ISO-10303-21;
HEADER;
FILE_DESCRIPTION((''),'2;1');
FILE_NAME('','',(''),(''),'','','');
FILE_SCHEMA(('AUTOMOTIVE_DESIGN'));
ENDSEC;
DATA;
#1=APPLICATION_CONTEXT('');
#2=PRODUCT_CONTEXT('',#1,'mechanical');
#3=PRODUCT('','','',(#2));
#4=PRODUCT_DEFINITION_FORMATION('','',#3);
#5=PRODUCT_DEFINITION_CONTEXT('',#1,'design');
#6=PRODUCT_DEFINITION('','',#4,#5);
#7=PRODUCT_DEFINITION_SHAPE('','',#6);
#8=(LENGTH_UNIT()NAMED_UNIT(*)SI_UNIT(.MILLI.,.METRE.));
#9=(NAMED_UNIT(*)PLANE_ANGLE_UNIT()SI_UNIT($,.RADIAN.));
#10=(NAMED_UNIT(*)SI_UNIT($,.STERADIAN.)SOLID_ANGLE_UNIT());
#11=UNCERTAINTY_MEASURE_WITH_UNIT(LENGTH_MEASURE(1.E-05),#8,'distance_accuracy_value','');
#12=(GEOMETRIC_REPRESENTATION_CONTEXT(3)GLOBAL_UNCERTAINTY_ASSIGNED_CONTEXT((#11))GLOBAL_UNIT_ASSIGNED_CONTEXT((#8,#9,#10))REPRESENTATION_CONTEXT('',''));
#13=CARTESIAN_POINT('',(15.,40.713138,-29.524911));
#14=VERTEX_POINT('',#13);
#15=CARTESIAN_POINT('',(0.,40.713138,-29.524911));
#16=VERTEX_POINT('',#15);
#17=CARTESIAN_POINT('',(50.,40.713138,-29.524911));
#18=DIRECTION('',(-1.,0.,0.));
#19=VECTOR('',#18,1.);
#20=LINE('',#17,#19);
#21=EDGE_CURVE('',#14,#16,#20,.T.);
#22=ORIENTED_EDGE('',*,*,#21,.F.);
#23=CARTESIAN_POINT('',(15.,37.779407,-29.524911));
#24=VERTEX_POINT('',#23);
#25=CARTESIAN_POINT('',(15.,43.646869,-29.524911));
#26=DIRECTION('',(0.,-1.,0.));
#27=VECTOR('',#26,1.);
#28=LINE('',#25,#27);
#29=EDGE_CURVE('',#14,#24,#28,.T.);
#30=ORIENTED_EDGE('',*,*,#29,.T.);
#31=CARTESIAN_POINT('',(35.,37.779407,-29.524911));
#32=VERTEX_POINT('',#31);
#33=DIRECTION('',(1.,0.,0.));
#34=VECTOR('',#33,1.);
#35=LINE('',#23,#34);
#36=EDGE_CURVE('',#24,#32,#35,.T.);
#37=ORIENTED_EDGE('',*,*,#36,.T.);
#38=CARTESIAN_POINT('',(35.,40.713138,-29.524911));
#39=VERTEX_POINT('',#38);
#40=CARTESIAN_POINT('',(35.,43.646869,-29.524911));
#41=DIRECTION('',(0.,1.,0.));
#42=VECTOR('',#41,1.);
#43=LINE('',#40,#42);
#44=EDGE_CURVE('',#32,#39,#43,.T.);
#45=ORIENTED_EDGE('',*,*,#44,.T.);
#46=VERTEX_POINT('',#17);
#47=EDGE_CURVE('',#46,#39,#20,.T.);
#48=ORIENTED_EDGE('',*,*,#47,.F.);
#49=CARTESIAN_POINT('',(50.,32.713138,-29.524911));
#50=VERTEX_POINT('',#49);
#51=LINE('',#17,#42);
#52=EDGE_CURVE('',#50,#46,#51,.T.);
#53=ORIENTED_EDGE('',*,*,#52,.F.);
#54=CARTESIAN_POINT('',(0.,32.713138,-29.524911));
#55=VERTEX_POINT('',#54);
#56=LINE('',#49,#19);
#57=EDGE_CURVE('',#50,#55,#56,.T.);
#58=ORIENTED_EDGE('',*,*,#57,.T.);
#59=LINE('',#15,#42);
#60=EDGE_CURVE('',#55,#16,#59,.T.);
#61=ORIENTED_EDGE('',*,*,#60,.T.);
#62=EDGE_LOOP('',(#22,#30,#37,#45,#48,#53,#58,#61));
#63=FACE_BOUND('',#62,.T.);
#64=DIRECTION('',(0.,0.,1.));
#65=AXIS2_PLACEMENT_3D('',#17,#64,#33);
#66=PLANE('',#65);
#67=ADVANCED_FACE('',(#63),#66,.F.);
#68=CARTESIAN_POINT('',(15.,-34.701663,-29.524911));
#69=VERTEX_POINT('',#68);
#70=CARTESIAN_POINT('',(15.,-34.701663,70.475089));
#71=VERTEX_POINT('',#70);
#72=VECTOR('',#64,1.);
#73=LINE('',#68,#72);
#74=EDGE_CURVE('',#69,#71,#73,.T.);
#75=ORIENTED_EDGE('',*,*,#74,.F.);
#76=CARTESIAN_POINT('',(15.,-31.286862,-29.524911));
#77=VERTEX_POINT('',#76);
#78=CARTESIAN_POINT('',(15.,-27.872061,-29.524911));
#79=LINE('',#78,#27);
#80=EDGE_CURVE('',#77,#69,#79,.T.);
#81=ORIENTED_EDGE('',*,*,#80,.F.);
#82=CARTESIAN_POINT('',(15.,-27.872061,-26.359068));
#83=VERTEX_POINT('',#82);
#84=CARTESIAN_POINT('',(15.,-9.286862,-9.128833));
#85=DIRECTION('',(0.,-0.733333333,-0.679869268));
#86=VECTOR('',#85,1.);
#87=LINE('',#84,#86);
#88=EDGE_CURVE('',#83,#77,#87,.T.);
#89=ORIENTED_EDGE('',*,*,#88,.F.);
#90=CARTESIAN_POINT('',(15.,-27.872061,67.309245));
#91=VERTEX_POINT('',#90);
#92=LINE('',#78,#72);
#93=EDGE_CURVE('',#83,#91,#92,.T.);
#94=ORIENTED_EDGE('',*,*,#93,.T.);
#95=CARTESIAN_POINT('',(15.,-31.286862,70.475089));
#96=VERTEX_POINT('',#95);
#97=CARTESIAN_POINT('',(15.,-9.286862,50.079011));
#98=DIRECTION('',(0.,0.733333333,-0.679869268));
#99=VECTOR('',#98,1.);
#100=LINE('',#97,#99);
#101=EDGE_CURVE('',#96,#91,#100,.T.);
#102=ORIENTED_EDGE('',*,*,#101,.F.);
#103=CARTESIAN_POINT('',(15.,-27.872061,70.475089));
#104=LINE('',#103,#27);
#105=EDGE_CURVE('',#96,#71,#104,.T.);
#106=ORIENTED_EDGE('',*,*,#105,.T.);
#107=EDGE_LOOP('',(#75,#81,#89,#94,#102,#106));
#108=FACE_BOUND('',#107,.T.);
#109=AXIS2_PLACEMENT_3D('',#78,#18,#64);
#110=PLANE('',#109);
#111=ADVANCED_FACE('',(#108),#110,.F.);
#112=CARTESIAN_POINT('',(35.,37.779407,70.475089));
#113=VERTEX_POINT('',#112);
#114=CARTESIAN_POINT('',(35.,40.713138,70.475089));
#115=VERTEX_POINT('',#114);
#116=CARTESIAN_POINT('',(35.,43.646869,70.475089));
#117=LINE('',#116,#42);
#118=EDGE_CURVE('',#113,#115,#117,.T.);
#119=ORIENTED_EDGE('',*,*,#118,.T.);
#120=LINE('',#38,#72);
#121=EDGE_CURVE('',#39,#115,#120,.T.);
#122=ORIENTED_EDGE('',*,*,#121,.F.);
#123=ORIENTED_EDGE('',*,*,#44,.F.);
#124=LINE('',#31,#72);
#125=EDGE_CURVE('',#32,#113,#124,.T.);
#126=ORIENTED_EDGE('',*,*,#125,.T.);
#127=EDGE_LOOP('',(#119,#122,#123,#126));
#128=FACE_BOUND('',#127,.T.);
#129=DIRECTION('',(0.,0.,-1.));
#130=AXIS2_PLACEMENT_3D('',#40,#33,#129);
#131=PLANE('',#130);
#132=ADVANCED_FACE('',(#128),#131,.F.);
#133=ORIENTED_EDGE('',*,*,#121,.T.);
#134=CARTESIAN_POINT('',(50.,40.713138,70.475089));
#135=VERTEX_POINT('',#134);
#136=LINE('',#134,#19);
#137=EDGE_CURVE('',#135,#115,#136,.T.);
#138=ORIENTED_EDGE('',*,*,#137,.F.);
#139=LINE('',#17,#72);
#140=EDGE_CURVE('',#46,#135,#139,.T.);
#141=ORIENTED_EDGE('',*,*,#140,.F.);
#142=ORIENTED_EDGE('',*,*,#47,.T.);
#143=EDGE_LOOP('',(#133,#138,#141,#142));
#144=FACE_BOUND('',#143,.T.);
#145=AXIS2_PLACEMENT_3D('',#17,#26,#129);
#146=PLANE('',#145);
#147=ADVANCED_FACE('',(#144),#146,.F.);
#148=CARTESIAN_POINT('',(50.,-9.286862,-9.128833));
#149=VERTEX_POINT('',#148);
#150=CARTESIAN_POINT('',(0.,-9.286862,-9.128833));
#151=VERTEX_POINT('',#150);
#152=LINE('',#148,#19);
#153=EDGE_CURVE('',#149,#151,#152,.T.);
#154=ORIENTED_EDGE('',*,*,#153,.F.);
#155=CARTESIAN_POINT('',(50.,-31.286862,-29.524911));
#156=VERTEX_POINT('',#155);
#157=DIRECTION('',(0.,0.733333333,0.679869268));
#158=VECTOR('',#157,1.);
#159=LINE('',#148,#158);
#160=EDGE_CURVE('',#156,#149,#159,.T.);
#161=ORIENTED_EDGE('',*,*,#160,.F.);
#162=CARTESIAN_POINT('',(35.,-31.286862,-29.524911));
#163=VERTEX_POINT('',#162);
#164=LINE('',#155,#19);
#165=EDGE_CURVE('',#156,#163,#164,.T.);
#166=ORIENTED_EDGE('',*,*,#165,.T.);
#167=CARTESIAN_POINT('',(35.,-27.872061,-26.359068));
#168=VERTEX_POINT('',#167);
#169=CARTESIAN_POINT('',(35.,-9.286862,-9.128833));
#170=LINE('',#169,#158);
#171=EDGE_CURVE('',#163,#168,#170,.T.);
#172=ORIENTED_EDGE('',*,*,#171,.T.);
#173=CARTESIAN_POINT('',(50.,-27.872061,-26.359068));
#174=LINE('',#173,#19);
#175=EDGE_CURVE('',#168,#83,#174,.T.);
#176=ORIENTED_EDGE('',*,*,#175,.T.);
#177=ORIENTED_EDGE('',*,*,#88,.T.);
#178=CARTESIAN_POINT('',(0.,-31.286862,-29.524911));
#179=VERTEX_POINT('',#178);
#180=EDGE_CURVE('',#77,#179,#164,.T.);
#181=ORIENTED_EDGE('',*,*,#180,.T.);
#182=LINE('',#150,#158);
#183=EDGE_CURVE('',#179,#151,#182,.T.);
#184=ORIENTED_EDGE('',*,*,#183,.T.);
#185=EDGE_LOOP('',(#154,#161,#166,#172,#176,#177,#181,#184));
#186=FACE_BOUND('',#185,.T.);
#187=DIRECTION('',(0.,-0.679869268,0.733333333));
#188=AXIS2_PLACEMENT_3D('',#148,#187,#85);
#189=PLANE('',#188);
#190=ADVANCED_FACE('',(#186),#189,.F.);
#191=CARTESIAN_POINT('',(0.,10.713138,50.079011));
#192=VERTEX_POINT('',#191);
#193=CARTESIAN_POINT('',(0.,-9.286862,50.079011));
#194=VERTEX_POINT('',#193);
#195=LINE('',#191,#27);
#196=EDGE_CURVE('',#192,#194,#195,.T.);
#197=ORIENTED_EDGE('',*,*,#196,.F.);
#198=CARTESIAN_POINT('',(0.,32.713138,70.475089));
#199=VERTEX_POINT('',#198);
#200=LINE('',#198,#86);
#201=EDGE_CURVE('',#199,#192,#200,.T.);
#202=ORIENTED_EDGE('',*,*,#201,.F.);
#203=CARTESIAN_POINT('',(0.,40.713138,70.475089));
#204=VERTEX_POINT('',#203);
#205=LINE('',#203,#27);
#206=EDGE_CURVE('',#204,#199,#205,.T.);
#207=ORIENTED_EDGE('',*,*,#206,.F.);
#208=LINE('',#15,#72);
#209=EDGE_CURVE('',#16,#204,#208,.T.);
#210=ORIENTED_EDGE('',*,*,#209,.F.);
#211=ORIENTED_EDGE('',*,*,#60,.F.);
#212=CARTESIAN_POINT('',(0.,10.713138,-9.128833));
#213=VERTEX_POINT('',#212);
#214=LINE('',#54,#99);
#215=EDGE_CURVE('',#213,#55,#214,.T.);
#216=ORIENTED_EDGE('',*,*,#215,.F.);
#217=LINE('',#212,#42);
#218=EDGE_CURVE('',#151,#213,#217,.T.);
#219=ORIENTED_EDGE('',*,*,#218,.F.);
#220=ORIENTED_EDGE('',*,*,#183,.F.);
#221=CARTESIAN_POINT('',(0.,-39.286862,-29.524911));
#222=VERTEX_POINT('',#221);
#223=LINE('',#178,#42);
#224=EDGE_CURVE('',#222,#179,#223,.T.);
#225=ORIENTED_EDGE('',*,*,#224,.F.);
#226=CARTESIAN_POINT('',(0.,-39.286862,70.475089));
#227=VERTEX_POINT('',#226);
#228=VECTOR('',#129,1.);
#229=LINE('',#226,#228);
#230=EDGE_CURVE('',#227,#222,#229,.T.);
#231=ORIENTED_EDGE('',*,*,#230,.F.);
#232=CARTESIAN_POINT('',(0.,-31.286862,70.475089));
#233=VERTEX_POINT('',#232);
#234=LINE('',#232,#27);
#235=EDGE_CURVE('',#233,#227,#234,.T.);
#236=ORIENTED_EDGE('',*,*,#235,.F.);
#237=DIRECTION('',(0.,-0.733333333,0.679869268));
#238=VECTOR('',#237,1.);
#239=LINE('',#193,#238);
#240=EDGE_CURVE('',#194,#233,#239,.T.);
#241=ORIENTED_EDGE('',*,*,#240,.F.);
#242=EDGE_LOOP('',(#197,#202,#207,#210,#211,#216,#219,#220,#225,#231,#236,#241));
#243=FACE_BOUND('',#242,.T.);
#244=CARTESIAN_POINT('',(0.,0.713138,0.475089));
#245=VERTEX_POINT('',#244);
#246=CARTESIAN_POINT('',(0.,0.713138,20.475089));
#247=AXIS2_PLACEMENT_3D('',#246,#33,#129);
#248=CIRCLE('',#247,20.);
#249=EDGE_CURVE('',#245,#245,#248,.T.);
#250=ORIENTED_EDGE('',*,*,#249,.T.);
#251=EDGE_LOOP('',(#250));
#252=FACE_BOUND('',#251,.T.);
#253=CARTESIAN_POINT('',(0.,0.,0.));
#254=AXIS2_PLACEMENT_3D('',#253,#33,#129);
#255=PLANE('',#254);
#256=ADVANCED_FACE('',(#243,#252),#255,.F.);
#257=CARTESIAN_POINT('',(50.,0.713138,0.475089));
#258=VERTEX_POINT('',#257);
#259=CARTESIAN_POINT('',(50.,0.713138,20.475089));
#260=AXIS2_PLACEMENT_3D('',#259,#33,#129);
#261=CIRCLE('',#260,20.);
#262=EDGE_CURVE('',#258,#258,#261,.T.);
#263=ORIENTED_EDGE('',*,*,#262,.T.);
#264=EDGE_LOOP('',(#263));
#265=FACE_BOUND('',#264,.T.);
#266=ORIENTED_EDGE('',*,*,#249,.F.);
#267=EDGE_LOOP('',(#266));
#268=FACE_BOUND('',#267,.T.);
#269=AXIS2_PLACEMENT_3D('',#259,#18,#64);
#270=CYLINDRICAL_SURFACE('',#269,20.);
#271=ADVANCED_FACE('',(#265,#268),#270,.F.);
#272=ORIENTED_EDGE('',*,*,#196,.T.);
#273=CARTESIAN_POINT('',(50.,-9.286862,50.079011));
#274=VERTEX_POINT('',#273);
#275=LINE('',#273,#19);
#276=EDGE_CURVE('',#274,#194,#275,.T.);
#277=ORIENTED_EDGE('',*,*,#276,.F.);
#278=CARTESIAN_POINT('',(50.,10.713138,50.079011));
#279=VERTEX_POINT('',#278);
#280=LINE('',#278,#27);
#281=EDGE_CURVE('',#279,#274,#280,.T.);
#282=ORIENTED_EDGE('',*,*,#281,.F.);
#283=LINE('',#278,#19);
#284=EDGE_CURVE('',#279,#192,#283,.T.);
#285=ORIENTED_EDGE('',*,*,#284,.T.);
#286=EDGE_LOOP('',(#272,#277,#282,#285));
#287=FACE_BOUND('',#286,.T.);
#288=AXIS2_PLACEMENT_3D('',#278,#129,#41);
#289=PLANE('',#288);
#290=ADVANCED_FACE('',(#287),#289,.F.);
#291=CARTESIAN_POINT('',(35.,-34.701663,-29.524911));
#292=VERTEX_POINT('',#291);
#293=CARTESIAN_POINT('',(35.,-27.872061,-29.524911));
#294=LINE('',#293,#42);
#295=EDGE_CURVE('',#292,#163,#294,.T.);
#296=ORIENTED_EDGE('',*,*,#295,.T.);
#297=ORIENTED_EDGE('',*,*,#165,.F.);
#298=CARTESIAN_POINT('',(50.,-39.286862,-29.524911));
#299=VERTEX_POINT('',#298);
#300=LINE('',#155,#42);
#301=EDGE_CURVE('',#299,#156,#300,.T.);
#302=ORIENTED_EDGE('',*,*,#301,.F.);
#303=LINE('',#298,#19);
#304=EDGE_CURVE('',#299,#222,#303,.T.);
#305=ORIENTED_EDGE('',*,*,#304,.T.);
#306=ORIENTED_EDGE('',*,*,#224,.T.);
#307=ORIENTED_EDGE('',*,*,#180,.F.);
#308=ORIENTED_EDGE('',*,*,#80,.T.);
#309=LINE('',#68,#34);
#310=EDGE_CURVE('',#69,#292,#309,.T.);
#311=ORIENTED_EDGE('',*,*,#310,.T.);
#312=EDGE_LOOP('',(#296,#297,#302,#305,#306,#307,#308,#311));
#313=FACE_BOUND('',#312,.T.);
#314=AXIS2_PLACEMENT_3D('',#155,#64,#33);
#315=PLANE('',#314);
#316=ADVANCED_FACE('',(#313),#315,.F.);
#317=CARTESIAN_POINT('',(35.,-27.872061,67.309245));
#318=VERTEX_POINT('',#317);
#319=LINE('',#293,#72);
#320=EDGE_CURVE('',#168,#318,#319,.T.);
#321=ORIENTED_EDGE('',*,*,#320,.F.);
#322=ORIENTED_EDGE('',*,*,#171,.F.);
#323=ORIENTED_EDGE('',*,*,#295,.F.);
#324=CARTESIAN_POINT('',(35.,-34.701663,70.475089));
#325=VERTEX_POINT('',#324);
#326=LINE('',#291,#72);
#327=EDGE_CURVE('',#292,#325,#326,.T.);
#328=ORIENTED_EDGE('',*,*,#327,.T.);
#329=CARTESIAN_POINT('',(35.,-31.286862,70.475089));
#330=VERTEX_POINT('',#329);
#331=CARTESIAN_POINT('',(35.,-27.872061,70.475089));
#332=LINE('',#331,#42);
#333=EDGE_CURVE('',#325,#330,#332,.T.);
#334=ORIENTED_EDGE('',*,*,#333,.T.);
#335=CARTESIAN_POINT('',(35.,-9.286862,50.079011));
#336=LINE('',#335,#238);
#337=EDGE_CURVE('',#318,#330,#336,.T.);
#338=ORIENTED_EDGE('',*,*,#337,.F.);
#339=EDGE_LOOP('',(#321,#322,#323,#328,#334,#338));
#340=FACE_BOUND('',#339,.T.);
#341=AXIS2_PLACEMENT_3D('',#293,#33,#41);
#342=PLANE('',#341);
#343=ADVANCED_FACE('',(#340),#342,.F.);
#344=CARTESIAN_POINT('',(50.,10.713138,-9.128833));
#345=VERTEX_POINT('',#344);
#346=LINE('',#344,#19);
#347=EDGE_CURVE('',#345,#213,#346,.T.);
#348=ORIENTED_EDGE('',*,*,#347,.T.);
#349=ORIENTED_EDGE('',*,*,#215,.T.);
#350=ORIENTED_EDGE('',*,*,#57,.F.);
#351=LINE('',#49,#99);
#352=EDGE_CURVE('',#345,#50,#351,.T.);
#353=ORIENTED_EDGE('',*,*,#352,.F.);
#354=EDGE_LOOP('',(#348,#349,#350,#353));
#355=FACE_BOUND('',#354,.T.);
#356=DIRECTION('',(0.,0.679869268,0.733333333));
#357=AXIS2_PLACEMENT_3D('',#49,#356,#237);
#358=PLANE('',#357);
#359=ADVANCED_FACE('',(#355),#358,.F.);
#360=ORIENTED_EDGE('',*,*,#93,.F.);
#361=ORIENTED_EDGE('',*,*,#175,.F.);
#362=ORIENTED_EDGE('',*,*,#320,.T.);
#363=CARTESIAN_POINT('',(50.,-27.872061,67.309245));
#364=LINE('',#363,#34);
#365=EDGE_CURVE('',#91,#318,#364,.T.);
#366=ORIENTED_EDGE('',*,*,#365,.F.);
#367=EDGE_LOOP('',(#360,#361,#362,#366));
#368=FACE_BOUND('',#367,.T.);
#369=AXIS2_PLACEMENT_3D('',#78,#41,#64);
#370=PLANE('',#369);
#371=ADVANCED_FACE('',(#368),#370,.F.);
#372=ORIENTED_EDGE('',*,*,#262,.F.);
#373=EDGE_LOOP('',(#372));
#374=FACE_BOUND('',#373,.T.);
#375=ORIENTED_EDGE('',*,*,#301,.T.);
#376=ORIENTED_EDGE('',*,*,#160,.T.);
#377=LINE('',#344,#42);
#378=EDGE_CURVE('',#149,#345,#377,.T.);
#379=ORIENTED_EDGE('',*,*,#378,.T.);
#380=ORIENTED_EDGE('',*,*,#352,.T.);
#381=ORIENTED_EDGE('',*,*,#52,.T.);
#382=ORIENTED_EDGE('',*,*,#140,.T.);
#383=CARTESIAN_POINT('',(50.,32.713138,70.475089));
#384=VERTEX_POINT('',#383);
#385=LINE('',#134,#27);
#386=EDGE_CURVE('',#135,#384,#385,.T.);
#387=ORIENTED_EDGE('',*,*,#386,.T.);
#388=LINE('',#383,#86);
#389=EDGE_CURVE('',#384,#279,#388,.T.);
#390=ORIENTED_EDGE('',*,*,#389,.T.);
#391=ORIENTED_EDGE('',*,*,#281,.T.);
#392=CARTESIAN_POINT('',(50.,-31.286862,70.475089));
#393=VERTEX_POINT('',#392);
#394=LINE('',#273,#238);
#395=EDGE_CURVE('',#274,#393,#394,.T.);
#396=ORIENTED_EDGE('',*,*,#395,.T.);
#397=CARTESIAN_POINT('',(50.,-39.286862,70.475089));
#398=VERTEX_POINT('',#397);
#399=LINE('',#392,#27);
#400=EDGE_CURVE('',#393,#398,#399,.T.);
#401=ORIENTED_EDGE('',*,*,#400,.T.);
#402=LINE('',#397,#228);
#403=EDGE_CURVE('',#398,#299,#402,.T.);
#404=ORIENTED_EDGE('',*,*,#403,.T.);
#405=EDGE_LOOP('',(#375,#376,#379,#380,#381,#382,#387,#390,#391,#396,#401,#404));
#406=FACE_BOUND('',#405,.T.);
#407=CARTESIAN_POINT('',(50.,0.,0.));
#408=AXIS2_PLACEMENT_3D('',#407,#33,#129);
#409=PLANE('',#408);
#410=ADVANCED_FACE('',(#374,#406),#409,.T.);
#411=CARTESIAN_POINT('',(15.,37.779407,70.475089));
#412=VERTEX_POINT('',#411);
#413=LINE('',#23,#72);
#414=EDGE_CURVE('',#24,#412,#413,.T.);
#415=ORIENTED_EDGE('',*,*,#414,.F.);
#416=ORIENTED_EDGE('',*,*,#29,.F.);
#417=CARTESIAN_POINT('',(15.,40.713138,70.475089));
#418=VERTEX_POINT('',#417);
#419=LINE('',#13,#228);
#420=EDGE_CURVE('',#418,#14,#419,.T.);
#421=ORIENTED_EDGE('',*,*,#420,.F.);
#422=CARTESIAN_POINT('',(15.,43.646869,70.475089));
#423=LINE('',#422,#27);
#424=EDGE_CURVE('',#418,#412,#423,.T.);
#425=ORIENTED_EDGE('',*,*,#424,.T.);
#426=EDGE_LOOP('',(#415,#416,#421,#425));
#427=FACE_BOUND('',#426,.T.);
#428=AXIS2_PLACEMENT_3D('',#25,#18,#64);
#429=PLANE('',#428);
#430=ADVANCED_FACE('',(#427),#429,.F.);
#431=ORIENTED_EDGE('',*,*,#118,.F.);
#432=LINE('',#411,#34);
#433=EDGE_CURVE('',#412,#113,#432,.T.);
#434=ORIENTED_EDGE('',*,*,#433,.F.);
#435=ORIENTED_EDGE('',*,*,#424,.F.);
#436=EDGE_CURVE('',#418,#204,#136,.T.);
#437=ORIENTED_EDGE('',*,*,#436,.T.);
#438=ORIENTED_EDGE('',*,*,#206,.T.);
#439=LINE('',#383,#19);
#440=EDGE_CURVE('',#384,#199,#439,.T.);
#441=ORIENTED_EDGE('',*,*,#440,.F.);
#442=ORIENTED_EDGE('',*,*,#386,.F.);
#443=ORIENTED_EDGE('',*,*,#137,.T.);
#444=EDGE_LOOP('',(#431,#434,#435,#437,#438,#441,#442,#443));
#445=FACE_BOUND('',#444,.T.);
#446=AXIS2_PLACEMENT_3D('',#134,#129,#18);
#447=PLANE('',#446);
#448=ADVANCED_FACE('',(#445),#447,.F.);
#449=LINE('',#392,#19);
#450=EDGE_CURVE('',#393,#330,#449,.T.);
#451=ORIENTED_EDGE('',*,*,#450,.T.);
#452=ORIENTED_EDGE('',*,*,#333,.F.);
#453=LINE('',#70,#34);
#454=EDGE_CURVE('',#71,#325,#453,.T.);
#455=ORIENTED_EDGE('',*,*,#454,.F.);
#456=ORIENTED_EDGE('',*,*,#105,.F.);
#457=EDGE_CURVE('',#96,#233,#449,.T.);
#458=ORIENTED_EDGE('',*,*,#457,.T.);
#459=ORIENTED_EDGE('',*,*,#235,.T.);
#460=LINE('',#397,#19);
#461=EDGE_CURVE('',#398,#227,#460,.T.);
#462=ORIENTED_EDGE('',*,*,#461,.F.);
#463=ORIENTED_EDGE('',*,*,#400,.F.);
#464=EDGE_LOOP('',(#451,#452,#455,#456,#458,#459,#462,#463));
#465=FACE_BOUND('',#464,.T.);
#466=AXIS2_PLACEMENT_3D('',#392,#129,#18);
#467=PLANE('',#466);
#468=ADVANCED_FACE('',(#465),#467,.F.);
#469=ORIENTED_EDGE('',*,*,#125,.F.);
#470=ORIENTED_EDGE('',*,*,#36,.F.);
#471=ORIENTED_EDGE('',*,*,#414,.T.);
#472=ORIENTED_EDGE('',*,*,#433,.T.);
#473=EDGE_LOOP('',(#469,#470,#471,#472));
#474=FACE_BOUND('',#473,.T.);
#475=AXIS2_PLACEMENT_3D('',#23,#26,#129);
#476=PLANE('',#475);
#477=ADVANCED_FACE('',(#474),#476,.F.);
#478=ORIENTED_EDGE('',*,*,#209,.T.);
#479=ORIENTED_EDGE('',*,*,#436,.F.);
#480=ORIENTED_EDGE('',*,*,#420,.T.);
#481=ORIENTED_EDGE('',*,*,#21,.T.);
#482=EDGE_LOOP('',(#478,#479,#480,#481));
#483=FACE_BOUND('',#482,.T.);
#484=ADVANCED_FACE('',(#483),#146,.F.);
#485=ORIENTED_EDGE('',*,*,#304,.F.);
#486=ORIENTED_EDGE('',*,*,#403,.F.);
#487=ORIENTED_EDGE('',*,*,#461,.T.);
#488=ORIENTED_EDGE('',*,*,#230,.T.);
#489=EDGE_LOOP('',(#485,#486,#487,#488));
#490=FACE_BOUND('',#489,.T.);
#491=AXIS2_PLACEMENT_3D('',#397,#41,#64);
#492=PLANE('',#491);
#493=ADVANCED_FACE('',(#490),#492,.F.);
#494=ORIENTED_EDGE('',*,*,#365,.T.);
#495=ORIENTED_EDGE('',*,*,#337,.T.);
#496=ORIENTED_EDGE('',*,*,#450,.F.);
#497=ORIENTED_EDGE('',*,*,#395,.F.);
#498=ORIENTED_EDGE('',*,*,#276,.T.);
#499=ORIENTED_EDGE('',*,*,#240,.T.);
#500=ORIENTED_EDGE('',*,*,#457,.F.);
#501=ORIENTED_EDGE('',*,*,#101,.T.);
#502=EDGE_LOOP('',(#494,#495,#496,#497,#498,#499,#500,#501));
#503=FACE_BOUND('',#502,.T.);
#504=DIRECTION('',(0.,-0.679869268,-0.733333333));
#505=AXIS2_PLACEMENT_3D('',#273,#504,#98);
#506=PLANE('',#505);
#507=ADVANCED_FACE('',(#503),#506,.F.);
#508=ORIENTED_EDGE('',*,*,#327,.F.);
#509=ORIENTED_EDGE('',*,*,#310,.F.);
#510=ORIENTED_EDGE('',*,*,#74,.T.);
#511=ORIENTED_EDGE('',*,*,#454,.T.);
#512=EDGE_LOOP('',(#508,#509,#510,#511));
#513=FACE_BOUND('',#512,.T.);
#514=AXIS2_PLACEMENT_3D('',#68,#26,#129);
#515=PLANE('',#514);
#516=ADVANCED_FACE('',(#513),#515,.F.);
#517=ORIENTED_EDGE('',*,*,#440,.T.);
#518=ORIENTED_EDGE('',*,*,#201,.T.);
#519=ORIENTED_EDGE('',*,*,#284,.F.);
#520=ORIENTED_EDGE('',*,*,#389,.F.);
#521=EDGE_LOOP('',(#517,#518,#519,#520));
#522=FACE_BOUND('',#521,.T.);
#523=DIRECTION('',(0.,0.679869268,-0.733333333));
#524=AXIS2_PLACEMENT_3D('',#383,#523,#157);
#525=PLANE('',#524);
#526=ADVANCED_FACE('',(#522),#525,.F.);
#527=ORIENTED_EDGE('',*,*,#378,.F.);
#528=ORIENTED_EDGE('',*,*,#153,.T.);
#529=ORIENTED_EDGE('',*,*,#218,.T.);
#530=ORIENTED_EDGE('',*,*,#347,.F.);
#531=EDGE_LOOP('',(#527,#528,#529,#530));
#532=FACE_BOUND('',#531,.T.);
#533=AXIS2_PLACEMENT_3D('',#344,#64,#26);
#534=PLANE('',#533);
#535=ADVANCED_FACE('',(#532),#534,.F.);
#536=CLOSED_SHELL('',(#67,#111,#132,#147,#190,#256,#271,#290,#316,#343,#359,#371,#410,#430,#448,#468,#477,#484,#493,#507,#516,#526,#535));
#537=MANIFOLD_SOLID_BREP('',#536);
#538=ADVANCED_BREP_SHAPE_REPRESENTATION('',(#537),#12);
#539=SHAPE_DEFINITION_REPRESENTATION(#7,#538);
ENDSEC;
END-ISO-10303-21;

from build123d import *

# Parameters (mm, degrees)
SKETCH1_R           = 20
BOSS_EXTRUDE1_DEPTH = 50
SKETCH2_W           = 20
SKETCH2_H           = 5.867462555
SKETCH2_H_2         = 6.829602609
CUT_EXTRUDE1_DEPTH  = 119.98554368


with BuildPart() as part:
    # Sketch1 → Boss-Extrude1 (new body)
    with BuildSketch(Plane(origin=(0, 0, 0), x_dir=(0, 0, -1), z_dir=(1, 0, 0))):
        Polygon((29.524911161, 40.713137988), (-70.475088839, 40.713137988), (-70.475088839, 32.713137988), (-50.079010784, 10.713137988), (-50.079010784, -9.286862012), (-70.475088839, -31.286862012), (-70.475088839, -39.286862012), (29.524911161, -39.286862012), (29.524911161, -31.286862012), (9.128833107, -9.286862012), (9.128833107, 10.713137988), (29.524911161, 32.713137988), align=None)
        with Locations((-20.475088839, 0.713137988)):
            Circle(SKETCH1_R, mode=Mode.SUBTRACT)
    extrude(amount=BOSS_EXTRUDE1_DEPTH)

    # Sketch2 → Cut-Extrude1 (cut, through all)
    with BuildSketch(Plane.XY.offset(70.475088839)):
        with Locations((25, 40.713137989)):
            Rectangle(SKETCH2_W, SKETCH2_H)
        with Locations((25, -31.286862012)):
            Rectangle(SKETCH2_W, SKETCH2_H_2)
    extrude(amount=-CUT_EXTRUDE1_DEPTH, mode=Mode.SUBTRACT)


solid = part.part
